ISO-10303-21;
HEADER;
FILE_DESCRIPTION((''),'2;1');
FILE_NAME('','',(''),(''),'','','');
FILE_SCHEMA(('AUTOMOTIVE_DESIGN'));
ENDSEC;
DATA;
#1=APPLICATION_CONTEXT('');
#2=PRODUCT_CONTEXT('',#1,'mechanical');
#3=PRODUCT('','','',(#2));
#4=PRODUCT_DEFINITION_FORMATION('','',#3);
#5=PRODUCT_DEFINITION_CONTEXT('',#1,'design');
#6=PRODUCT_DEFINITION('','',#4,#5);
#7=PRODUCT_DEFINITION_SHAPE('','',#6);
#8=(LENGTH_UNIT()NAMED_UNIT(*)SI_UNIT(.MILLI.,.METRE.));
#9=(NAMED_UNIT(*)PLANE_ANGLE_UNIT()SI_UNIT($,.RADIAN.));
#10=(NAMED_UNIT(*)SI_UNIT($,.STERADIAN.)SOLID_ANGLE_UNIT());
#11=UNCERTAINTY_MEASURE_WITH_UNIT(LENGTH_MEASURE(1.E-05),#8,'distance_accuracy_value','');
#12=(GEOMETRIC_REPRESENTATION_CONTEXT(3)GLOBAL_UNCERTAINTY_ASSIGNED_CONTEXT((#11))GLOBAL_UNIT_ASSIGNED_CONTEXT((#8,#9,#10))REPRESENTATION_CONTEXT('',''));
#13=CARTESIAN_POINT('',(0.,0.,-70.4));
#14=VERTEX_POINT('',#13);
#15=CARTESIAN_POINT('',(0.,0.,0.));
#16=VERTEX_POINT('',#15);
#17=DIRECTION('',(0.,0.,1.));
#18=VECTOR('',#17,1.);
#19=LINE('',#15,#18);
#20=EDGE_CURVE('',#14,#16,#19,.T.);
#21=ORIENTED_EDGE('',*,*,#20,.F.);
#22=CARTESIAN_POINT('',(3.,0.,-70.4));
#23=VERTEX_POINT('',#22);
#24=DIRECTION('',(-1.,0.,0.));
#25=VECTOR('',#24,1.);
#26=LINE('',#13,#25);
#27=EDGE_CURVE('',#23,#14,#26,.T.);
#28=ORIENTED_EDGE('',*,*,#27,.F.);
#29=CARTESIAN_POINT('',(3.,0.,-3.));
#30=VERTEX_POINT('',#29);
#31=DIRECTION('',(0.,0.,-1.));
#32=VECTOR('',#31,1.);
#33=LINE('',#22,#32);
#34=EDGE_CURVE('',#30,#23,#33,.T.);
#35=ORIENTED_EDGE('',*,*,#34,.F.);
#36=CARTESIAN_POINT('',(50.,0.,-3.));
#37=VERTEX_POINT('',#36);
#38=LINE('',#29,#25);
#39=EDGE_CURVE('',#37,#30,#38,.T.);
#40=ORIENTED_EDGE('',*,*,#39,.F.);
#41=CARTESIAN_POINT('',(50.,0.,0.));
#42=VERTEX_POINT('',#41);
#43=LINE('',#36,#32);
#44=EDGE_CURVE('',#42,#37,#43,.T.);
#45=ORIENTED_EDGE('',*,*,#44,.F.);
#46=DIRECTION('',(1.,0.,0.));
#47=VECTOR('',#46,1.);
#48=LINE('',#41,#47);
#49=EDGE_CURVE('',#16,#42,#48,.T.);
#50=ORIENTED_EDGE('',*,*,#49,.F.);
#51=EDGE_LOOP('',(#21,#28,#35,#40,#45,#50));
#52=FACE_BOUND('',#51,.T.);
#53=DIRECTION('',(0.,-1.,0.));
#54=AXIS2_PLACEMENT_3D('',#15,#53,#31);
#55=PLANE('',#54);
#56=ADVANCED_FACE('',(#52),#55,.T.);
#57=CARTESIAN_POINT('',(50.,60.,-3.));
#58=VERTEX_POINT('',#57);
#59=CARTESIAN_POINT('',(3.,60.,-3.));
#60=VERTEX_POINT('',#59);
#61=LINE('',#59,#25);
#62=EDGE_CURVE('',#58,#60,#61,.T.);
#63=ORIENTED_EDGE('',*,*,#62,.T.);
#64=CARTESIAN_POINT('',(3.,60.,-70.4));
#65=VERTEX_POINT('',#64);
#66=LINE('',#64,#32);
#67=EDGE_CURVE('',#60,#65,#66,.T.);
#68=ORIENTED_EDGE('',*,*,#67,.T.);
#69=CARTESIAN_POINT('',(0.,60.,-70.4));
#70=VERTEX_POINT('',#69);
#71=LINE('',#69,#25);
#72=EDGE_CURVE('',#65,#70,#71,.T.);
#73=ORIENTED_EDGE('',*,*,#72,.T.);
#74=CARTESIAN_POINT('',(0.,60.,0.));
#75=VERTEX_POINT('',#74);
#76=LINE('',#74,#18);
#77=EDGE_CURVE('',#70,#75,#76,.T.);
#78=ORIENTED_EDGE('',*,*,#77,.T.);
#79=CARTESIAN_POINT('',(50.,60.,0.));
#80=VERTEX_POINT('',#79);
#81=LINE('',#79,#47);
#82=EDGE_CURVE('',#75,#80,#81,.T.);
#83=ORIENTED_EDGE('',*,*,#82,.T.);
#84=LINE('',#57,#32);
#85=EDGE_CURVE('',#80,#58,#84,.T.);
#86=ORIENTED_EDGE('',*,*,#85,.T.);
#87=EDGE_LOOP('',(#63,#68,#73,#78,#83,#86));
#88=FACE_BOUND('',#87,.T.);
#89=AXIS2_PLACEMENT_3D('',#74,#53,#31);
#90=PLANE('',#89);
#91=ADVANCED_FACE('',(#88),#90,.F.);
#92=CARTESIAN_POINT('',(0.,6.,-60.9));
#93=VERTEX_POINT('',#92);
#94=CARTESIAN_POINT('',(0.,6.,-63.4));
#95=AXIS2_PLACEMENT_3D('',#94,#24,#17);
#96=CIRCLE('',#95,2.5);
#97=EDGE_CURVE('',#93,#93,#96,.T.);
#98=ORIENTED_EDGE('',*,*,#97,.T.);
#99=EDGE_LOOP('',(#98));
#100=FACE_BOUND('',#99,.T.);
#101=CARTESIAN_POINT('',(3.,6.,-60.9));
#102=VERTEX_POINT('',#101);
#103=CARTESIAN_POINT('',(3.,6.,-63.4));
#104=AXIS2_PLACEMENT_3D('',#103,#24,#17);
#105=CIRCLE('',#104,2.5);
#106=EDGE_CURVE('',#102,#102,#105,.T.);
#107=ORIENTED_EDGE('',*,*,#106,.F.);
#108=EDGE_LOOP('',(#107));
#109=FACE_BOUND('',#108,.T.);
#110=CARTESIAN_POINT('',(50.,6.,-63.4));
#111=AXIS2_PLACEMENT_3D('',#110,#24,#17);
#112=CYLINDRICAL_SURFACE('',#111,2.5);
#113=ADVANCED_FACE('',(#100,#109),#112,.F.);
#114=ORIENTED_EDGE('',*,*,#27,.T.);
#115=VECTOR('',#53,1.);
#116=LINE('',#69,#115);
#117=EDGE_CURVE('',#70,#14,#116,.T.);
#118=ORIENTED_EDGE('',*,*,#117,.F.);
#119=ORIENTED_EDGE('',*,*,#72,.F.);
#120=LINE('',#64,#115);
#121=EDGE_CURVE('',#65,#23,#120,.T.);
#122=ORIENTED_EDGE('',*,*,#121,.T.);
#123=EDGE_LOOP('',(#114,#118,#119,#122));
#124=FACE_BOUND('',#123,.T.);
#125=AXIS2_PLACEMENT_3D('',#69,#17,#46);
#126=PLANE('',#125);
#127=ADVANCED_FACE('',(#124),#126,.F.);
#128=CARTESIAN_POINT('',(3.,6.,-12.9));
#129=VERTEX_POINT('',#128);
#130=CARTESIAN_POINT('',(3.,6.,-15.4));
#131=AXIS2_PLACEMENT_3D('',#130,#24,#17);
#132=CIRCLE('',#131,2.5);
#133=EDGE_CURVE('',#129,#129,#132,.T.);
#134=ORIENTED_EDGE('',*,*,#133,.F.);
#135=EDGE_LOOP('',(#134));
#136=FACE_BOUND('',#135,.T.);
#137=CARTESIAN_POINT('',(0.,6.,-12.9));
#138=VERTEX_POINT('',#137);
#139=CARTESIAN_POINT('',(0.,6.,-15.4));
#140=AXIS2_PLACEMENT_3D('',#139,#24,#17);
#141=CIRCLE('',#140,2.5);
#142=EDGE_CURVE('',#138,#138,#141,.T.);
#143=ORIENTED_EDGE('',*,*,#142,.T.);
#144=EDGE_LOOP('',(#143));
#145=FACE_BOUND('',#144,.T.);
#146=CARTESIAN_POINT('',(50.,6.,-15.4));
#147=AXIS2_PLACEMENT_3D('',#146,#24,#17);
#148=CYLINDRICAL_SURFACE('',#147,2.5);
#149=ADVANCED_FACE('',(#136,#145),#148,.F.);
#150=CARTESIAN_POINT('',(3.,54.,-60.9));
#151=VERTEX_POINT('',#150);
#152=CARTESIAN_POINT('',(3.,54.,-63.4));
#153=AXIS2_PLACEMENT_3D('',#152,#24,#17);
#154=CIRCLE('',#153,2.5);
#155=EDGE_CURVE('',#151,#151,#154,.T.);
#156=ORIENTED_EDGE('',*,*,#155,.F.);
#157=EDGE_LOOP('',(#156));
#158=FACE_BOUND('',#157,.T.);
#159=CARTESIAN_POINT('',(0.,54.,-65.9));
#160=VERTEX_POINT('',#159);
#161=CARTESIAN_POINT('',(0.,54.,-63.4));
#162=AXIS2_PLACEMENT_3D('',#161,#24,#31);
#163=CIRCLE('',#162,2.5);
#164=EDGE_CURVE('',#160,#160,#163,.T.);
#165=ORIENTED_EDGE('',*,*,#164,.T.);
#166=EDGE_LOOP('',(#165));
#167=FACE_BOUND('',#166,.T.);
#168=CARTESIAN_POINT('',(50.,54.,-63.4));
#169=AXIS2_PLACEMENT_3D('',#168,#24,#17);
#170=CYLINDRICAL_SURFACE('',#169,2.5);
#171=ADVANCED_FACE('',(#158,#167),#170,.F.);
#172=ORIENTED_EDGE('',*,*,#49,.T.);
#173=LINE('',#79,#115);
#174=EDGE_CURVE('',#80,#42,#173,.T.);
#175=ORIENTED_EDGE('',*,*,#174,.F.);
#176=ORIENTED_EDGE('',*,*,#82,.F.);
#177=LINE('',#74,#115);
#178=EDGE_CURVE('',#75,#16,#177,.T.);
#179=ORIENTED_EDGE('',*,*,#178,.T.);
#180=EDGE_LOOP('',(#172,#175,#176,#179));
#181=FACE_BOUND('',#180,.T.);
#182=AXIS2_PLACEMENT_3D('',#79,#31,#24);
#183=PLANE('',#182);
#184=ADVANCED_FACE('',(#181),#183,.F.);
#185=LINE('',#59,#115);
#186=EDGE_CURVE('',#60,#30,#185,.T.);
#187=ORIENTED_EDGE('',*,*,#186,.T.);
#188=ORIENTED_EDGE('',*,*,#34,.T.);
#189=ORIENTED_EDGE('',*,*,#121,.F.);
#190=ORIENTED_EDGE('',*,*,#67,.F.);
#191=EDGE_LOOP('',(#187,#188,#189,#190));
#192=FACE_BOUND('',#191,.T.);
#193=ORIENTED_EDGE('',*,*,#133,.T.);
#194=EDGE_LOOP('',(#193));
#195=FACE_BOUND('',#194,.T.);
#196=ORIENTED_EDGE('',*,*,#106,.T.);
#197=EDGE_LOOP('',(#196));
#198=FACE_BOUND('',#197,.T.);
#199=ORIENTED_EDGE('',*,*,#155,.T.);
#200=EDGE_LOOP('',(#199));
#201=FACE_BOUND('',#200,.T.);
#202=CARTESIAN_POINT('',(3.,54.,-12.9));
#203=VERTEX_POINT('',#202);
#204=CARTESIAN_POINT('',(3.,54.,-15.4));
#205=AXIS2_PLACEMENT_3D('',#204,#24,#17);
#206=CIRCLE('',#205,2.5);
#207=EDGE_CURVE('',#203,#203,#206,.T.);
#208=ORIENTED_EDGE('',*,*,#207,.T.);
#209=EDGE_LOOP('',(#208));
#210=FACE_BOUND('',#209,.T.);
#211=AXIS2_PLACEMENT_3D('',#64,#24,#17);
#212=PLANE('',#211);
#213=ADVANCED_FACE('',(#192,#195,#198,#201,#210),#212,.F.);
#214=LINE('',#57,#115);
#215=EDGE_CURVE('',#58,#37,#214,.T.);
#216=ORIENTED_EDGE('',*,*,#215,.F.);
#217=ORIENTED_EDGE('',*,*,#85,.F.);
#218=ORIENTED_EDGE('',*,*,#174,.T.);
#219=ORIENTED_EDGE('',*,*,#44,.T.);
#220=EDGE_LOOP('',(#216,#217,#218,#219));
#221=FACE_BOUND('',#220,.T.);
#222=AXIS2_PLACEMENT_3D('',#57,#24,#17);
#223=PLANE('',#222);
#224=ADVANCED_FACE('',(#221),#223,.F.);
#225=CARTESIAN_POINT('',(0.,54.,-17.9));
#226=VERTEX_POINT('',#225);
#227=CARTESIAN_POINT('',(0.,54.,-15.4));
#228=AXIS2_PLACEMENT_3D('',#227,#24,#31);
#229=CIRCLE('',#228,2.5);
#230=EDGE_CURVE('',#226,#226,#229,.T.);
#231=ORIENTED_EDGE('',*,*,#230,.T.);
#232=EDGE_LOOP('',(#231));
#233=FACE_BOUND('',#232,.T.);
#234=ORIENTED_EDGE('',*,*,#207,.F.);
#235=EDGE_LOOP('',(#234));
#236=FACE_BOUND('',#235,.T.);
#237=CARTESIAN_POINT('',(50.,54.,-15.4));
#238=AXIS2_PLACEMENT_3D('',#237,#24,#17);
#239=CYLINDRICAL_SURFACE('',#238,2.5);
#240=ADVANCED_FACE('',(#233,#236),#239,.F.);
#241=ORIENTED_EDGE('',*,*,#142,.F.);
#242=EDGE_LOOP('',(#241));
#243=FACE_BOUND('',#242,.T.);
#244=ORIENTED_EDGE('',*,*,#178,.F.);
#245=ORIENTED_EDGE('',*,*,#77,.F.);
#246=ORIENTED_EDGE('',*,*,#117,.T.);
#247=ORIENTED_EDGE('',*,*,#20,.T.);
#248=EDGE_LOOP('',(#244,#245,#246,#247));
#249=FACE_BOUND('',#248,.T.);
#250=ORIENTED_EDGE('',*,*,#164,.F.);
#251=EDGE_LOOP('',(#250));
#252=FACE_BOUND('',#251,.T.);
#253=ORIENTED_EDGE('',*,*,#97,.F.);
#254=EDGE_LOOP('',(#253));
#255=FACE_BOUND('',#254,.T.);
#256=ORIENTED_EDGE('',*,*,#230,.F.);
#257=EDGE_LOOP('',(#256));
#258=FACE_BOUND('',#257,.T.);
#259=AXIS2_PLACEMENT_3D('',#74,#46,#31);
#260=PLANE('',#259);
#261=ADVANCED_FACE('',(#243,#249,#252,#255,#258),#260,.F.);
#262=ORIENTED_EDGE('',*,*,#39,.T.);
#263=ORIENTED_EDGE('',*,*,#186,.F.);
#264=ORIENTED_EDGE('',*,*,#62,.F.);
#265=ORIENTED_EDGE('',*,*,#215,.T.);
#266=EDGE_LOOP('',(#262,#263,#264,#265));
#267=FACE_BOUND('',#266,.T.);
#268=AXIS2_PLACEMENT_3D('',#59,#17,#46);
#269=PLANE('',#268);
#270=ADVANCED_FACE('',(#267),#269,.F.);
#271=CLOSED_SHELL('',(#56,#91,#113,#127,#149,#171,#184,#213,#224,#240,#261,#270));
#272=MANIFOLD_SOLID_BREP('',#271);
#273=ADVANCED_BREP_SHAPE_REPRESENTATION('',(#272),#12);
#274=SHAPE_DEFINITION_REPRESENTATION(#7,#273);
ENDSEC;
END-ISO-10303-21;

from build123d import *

# Parameters (mm, degrees)
BOSS_EXTRUDE1_DEPTH = 60
SKETCH2_R           = 2.5
CUT_EXTRUDE1_DEPTH  = 106.148276258


with BuildPart() as part:
    # Sketch1 → Boss-Extrude1 (new body)
    with BuildSketch(Plane(origin=(0, 0, 0), x_dir=(1, 0, 0), z_dir=(0, 1, 0))):
        Polygon((0, 0), (0, 70.4), (3, 70.4), (3, 3), (50, 3), (50, 0), align=None)
    extrude(amount=BOSS_EXTRUDE1_DEPTH)

    # Sketch2 → Cut-Extrude1 (cut, through all)
    with BuildSketch(Plane.ZY):
        with Locations((-63.4, 6)):
            Circle(SKETCH2_R)
        with Locations((-15.4, 6)):
            Circle(SKETCH2_R)
        with Locations((-15.4, 54)):
            Circle(SKETCH2_R)
        with Locations((-63.4, 54)):
            Circle(SKETCH2_R)
    extrude(amount=-CUT_EXTRUDE1_DEPTH, mode=Mode.SUBTRACT)


solid = part.part
